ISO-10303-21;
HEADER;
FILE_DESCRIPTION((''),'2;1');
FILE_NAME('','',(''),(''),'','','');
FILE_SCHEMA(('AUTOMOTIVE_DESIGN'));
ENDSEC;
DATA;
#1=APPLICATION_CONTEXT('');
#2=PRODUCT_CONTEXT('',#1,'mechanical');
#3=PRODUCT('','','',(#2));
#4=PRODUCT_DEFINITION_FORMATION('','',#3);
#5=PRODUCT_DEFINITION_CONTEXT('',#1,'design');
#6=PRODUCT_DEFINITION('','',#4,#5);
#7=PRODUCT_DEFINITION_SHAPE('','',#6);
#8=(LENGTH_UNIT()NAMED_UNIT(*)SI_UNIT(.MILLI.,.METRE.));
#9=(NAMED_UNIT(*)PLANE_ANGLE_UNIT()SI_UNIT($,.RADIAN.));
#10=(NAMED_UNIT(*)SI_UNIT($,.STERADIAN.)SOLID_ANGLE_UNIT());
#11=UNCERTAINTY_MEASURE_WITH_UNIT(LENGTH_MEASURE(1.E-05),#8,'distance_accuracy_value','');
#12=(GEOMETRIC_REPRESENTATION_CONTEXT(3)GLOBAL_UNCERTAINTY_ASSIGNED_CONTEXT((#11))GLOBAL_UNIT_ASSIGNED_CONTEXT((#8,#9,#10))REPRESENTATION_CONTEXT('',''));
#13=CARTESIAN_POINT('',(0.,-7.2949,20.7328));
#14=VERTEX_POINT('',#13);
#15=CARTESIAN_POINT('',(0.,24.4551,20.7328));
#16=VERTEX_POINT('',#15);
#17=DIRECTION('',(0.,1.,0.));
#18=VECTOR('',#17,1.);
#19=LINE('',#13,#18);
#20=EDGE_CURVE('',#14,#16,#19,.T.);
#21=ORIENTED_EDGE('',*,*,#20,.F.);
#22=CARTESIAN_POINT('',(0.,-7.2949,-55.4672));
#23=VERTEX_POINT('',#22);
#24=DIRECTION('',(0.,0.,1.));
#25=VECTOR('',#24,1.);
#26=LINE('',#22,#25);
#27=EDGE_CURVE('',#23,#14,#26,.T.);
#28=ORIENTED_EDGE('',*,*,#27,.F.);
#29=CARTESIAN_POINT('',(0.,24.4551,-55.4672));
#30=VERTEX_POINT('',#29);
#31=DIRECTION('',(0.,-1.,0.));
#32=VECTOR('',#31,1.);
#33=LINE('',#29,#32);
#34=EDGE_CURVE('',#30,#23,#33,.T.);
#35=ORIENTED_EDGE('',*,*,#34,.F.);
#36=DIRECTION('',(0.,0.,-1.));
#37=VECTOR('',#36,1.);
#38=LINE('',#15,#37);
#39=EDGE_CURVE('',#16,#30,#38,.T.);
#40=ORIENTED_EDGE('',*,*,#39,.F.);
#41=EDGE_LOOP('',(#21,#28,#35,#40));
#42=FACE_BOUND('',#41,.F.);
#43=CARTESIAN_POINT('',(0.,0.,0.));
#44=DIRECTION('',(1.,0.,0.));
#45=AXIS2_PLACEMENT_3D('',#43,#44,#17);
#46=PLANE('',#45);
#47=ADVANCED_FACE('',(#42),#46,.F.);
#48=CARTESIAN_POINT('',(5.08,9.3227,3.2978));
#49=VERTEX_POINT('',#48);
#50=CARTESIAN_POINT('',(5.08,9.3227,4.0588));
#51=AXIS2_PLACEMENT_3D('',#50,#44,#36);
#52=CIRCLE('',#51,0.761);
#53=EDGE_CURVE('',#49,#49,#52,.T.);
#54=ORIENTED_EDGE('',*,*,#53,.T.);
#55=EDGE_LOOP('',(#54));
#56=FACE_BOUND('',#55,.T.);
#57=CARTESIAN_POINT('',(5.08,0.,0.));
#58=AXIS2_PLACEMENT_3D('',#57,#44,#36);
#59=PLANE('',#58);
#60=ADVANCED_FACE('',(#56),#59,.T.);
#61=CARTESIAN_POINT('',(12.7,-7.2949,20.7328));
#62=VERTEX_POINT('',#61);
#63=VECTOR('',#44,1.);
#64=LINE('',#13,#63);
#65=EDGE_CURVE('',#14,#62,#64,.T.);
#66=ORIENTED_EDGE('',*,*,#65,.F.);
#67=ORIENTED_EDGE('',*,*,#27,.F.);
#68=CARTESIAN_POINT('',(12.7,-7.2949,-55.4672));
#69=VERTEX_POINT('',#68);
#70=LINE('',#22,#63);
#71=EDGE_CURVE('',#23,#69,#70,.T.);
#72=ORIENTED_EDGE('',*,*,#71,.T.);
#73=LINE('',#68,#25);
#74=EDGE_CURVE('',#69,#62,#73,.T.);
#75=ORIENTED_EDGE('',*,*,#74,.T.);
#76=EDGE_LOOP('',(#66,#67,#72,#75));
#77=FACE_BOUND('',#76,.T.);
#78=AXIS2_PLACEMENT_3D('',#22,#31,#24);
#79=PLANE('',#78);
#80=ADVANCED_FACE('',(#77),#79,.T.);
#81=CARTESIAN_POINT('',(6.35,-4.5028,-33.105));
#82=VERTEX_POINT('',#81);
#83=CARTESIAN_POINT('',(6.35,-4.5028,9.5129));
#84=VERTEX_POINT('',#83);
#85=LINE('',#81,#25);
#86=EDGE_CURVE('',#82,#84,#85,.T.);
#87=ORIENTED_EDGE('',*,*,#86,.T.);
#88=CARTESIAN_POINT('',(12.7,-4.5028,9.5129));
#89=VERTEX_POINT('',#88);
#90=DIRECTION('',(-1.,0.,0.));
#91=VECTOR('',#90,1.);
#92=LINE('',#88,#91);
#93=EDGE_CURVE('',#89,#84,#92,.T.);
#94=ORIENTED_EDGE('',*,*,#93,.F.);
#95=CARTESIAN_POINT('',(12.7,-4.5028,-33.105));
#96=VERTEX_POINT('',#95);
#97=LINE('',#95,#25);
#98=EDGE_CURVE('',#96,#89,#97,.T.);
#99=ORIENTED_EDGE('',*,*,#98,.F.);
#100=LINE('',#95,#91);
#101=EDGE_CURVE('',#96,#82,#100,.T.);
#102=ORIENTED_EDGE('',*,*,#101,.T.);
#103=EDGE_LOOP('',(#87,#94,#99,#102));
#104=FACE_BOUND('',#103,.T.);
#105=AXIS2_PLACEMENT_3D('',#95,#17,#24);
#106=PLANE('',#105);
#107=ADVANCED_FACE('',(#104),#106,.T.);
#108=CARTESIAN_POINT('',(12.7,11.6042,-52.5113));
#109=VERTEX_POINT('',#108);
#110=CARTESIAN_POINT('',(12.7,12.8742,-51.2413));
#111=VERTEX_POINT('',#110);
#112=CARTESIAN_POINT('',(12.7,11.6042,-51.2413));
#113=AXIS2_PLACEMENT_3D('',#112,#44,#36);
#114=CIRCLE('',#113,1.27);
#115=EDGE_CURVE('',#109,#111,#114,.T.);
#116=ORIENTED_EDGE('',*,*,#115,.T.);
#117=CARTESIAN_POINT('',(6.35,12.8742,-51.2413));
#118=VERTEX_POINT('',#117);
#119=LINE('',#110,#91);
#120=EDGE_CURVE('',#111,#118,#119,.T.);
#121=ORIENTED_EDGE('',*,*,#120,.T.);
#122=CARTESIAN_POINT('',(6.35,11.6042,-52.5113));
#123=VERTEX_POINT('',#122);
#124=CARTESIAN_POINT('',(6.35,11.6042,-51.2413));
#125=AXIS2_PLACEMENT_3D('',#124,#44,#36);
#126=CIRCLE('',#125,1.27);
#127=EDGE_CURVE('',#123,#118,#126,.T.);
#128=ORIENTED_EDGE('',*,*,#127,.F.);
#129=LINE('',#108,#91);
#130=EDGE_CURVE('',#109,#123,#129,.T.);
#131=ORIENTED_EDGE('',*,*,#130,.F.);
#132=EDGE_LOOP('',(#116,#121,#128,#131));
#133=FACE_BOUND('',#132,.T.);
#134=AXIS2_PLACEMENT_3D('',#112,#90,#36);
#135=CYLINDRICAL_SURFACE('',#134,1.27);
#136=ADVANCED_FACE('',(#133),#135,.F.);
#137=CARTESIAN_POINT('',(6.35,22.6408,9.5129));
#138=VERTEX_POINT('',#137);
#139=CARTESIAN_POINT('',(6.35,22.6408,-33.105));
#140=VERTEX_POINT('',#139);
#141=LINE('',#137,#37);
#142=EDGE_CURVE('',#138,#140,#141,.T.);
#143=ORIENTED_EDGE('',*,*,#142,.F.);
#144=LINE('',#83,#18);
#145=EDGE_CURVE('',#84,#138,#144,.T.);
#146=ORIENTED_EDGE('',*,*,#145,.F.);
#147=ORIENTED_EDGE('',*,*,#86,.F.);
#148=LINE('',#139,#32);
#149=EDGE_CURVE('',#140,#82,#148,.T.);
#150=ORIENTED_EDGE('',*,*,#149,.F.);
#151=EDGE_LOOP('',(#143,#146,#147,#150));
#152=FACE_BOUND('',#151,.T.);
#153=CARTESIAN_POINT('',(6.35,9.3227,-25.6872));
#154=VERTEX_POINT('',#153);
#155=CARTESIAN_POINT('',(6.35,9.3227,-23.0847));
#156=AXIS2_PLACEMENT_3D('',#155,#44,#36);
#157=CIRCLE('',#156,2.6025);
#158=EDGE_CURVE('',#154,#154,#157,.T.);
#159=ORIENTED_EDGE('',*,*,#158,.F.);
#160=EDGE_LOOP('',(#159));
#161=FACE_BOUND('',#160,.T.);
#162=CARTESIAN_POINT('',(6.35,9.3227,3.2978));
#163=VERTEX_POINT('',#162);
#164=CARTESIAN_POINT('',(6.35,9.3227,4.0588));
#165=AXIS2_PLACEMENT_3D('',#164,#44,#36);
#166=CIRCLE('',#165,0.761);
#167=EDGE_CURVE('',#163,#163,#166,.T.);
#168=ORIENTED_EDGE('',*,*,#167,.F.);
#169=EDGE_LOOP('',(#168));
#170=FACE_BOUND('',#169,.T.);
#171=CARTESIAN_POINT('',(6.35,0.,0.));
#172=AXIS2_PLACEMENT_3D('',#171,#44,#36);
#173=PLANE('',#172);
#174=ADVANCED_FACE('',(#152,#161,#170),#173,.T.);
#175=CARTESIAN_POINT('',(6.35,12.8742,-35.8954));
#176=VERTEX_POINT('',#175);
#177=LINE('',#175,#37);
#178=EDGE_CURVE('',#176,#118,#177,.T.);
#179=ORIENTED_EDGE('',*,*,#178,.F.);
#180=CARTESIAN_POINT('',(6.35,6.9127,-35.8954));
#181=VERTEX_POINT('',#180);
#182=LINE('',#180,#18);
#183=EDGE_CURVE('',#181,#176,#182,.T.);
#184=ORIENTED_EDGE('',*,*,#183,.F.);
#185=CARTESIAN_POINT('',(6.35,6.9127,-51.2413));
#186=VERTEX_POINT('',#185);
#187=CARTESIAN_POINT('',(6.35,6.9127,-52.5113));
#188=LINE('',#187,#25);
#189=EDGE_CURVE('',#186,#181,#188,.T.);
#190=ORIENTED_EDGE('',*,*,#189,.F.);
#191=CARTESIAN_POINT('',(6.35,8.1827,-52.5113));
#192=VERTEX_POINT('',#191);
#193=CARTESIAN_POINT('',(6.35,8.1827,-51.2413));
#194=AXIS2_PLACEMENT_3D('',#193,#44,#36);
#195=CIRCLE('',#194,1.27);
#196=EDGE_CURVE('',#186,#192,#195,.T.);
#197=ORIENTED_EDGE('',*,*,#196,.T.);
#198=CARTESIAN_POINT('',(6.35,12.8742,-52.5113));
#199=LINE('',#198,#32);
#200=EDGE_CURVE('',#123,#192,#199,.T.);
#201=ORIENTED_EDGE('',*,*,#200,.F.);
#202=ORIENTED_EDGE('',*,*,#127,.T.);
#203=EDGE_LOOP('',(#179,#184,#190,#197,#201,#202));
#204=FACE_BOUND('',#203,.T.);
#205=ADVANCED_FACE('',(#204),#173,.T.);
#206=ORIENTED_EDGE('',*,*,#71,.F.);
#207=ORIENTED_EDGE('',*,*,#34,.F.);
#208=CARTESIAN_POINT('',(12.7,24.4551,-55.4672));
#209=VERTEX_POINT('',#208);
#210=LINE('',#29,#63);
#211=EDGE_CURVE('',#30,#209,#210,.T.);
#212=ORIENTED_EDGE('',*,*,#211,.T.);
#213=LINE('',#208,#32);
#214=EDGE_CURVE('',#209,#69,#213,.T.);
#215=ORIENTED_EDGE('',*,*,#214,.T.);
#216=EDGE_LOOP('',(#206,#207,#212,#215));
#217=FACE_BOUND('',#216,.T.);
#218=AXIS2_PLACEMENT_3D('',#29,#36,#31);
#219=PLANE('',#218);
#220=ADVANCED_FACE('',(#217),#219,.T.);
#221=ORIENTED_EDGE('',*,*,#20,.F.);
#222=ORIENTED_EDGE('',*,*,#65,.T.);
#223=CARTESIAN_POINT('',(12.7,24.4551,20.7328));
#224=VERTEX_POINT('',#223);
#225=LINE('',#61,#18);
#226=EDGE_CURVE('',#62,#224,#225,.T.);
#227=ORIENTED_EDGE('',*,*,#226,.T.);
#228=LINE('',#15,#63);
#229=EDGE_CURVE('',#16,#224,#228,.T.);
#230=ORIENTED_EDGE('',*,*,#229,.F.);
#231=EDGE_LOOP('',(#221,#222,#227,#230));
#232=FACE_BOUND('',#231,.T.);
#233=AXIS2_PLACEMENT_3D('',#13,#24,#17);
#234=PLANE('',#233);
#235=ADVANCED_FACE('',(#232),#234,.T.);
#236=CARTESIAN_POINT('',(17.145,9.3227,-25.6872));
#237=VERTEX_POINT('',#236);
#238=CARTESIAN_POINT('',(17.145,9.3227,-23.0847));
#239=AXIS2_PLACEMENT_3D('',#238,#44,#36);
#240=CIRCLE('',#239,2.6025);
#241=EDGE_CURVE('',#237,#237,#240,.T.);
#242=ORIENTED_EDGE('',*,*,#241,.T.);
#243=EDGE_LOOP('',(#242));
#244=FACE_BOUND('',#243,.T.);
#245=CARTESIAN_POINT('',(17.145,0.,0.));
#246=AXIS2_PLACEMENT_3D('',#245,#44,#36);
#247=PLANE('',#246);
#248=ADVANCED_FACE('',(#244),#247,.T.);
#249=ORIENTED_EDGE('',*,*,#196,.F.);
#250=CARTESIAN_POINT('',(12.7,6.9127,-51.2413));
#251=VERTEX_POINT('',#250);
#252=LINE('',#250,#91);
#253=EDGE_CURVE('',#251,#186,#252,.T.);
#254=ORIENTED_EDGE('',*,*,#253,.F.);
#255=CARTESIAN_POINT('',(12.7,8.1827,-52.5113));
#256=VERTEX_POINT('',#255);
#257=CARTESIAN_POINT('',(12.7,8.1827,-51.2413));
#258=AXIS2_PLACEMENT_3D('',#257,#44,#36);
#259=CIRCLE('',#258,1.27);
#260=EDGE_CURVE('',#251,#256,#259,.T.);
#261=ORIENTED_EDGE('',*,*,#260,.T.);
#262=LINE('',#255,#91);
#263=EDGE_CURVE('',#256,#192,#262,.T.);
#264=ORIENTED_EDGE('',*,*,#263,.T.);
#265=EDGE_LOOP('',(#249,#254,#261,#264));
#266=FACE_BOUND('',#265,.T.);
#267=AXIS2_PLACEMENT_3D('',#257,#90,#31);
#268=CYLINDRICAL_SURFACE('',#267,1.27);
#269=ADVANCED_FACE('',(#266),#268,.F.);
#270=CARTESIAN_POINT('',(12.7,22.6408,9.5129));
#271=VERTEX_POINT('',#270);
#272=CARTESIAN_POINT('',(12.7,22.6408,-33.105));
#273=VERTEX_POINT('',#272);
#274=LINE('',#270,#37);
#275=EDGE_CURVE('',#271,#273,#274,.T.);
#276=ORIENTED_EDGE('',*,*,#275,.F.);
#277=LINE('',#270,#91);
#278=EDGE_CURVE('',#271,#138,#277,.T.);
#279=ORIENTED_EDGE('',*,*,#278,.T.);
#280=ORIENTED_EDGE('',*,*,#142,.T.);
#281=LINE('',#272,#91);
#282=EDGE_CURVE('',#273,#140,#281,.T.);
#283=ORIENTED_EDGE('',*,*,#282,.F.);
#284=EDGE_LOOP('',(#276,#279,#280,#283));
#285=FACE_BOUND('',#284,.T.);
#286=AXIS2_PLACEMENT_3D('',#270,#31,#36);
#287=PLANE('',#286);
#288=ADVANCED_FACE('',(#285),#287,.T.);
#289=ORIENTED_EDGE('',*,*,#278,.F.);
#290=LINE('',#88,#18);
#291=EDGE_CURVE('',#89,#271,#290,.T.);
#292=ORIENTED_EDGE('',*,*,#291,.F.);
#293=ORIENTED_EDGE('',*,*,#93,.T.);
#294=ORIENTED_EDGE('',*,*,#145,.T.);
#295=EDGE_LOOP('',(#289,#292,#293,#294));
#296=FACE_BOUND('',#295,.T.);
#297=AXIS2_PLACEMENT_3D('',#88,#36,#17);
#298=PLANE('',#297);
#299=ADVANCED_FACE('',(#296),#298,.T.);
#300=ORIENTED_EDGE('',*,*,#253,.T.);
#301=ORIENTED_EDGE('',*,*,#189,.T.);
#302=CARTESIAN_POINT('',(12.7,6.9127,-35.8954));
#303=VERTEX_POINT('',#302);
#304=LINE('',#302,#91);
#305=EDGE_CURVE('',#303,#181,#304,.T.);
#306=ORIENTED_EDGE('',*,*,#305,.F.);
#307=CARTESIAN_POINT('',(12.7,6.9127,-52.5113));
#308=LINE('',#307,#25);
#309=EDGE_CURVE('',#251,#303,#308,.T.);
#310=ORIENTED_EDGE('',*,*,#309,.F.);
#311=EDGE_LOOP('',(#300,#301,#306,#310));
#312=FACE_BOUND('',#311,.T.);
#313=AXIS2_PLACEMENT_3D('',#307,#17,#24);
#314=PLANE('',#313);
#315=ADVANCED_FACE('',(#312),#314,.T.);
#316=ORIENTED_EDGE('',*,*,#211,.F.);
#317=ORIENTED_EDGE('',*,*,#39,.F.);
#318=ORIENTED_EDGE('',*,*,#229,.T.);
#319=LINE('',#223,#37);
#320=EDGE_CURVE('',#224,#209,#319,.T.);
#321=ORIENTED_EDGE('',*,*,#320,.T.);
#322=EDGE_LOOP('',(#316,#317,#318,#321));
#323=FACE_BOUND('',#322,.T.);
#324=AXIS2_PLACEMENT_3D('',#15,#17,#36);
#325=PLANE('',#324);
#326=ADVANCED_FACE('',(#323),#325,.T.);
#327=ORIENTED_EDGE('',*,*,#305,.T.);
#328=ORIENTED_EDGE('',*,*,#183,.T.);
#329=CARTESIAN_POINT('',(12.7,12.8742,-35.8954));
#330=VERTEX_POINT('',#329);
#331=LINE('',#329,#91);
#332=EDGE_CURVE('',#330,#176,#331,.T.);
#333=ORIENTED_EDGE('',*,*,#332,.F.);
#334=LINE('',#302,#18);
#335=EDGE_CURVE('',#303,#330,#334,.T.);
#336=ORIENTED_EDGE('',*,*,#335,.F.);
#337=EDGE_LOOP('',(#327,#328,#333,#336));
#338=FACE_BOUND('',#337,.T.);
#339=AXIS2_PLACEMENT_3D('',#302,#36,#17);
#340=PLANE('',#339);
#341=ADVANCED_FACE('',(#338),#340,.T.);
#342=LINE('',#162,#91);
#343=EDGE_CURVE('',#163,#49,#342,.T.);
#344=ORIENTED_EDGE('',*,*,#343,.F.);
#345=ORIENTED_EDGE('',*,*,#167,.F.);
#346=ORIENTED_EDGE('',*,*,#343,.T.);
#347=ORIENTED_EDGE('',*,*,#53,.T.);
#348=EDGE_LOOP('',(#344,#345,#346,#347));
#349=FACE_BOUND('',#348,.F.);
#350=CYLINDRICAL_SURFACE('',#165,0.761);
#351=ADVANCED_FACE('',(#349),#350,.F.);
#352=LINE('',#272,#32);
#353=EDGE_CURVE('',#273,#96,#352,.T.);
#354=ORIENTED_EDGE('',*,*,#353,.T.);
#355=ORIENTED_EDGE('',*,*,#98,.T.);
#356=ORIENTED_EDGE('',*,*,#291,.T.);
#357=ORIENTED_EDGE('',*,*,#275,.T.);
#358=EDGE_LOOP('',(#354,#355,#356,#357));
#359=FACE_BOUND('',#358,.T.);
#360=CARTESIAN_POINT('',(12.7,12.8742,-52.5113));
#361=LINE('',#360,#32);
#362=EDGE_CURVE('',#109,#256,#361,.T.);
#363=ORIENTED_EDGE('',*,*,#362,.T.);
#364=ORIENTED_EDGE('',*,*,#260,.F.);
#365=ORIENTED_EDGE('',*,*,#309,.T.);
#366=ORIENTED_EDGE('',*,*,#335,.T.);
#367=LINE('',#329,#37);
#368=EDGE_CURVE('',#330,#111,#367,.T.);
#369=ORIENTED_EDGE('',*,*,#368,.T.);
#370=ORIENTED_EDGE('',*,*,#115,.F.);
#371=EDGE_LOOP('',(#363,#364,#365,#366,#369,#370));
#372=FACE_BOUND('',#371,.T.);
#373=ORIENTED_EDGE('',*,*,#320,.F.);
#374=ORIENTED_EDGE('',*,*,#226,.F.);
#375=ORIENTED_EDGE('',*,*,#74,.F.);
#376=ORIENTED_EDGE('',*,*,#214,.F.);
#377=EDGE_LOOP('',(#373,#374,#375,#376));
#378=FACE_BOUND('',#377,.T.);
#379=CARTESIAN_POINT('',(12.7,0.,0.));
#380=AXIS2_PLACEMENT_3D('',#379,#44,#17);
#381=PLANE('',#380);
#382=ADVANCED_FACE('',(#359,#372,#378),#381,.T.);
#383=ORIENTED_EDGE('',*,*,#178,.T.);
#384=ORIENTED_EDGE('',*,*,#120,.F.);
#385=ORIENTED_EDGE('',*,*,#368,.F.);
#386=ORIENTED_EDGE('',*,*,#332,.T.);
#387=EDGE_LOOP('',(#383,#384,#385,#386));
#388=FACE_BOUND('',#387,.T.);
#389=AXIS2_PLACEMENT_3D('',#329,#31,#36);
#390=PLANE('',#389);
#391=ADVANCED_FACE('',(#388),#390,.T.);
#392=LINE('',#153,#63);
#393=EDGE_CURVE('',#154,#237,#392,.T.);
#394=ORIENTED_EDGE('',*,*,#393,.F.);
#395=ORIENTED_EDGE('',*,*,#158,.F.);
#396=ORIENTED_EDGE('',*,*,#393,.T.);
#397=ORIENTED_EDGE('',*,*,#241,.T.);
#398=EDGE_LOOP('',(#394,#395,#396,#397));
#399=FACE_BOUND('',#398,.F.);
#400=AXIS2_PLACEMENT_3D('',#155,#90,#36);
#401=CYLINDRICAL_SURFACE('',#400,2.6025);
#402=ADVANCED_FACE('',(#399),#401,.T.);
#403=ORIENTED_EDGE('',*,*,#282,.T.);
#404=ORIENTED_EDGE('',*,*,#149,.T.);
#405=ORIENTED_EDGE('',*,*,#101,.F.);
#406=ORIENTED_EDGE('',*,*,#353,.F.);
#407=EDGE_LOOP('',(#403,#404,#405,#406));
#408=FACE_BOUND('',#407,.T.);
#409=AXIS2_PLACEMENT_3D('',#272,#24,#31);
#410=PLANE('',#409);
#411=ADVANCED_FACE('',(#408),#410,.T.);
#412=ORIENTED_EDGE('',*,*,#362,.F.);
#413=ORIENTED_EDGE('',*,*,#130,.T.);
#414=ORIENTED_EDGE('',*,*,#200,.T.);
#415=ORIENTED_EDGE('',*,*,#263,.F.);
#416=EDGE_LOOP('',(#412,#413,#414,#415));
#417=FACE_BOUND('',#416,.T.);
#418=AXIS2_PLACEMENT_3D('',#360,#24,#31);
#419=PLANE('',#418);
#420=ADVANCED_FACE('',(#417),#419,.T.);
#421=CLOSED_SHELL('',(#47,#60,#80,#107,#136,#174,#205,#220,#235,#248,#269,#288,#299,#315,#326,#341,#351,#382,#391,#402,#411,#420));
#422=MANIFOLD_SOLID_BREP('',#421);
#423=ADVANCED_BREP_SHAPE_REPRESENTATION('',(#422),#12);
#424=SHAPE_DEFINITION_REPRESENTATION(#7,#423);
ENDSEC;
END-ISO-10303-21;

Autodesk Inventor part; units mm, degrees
ref_plane "YZ Plane" through (0, 0, 0) normal (1, 0, 0) x (0, 1, 0)
ref_plane "XZ Plane" through (0, 0, 0) normal (0, 1, 0) x (-1, 0, 0)
ref_plane "XY Plane" through (0, 0, 0) normal (0, 0, 1) x (1, 0, 0)
sketch "Sketch1" plane through (0, 0, 0) normal (1, 0, 0) x (0, 1, 0)
  line L0 (-7.2949, 20.7328) -> (24.4551, 20.7328)
  line L1 (24.4551, 20.7328) -> (24.4551, -55.4672)
  line L2 (24.4551, -55.4672) -> (-7.2949, -55.4672)
  line L3 (-7.2949, -55.4672) -> (-7.2949, 20.7328)
  point P0 (0, 0)
  dimension "d0" = 31.75
  dimension "d1" = 76.2
extrude "Extrusion1" add sketch "Sketch1" along normal blind 12.7
sketch "Sketch2" plane through (12.7, 0, 0) normal (1, 0, 0) x (0, 0, -1)
  line L0 (-9.5129, 22.6408) -> (33.105, 22.6408)
  line L1 (33.105, 22.6408) -> (33.105, -4.5028)
  line L2 (33.105, -4.5028) -> (-9.5129, -4.5028)
  line L3 (-9.5129, -4.5028) -> (-9.5129, 22.6408)
  line L4 (35.8954, 12.8742) -> (52.5113, 12.8742)
  line L5 (52.5113, 12.8742) -> (52.5113, 6.9127)
  line L6 (52.5113, 6.9127) -> (35.8954, 6.9127)
  line L7 (35.8954, 6.9127) -> (35.8954, 12.8742)
  point P0 (0, 0)
extrude "Extrusion2" cut sketch "Sketch2" against normal blind 6.35
fillet "Fillet1" radius 1.27 2 edges at (9.525, 12.8742, -52.5113) (9.525, 6.9127, -52.5113)
sketch "Sketch3" plane through (6.35, 0, 0) normal (1, 0, 0) x (0, 0, -1)
  circle A0 centre (23.0847, 9.3227) radius 2.6025
  circle A1 centre (-4.0588, 9.3227) radius 0.761
  point P0 (0, 0)
extrude "Extrusion3" cut sketch "Sketch3" against normal blind 1.27 contours A1
extrude "Extrusion4" add sketch "Sketch3" along normal blind 10.795 contours A0
properties part number "7.2 part 1"
